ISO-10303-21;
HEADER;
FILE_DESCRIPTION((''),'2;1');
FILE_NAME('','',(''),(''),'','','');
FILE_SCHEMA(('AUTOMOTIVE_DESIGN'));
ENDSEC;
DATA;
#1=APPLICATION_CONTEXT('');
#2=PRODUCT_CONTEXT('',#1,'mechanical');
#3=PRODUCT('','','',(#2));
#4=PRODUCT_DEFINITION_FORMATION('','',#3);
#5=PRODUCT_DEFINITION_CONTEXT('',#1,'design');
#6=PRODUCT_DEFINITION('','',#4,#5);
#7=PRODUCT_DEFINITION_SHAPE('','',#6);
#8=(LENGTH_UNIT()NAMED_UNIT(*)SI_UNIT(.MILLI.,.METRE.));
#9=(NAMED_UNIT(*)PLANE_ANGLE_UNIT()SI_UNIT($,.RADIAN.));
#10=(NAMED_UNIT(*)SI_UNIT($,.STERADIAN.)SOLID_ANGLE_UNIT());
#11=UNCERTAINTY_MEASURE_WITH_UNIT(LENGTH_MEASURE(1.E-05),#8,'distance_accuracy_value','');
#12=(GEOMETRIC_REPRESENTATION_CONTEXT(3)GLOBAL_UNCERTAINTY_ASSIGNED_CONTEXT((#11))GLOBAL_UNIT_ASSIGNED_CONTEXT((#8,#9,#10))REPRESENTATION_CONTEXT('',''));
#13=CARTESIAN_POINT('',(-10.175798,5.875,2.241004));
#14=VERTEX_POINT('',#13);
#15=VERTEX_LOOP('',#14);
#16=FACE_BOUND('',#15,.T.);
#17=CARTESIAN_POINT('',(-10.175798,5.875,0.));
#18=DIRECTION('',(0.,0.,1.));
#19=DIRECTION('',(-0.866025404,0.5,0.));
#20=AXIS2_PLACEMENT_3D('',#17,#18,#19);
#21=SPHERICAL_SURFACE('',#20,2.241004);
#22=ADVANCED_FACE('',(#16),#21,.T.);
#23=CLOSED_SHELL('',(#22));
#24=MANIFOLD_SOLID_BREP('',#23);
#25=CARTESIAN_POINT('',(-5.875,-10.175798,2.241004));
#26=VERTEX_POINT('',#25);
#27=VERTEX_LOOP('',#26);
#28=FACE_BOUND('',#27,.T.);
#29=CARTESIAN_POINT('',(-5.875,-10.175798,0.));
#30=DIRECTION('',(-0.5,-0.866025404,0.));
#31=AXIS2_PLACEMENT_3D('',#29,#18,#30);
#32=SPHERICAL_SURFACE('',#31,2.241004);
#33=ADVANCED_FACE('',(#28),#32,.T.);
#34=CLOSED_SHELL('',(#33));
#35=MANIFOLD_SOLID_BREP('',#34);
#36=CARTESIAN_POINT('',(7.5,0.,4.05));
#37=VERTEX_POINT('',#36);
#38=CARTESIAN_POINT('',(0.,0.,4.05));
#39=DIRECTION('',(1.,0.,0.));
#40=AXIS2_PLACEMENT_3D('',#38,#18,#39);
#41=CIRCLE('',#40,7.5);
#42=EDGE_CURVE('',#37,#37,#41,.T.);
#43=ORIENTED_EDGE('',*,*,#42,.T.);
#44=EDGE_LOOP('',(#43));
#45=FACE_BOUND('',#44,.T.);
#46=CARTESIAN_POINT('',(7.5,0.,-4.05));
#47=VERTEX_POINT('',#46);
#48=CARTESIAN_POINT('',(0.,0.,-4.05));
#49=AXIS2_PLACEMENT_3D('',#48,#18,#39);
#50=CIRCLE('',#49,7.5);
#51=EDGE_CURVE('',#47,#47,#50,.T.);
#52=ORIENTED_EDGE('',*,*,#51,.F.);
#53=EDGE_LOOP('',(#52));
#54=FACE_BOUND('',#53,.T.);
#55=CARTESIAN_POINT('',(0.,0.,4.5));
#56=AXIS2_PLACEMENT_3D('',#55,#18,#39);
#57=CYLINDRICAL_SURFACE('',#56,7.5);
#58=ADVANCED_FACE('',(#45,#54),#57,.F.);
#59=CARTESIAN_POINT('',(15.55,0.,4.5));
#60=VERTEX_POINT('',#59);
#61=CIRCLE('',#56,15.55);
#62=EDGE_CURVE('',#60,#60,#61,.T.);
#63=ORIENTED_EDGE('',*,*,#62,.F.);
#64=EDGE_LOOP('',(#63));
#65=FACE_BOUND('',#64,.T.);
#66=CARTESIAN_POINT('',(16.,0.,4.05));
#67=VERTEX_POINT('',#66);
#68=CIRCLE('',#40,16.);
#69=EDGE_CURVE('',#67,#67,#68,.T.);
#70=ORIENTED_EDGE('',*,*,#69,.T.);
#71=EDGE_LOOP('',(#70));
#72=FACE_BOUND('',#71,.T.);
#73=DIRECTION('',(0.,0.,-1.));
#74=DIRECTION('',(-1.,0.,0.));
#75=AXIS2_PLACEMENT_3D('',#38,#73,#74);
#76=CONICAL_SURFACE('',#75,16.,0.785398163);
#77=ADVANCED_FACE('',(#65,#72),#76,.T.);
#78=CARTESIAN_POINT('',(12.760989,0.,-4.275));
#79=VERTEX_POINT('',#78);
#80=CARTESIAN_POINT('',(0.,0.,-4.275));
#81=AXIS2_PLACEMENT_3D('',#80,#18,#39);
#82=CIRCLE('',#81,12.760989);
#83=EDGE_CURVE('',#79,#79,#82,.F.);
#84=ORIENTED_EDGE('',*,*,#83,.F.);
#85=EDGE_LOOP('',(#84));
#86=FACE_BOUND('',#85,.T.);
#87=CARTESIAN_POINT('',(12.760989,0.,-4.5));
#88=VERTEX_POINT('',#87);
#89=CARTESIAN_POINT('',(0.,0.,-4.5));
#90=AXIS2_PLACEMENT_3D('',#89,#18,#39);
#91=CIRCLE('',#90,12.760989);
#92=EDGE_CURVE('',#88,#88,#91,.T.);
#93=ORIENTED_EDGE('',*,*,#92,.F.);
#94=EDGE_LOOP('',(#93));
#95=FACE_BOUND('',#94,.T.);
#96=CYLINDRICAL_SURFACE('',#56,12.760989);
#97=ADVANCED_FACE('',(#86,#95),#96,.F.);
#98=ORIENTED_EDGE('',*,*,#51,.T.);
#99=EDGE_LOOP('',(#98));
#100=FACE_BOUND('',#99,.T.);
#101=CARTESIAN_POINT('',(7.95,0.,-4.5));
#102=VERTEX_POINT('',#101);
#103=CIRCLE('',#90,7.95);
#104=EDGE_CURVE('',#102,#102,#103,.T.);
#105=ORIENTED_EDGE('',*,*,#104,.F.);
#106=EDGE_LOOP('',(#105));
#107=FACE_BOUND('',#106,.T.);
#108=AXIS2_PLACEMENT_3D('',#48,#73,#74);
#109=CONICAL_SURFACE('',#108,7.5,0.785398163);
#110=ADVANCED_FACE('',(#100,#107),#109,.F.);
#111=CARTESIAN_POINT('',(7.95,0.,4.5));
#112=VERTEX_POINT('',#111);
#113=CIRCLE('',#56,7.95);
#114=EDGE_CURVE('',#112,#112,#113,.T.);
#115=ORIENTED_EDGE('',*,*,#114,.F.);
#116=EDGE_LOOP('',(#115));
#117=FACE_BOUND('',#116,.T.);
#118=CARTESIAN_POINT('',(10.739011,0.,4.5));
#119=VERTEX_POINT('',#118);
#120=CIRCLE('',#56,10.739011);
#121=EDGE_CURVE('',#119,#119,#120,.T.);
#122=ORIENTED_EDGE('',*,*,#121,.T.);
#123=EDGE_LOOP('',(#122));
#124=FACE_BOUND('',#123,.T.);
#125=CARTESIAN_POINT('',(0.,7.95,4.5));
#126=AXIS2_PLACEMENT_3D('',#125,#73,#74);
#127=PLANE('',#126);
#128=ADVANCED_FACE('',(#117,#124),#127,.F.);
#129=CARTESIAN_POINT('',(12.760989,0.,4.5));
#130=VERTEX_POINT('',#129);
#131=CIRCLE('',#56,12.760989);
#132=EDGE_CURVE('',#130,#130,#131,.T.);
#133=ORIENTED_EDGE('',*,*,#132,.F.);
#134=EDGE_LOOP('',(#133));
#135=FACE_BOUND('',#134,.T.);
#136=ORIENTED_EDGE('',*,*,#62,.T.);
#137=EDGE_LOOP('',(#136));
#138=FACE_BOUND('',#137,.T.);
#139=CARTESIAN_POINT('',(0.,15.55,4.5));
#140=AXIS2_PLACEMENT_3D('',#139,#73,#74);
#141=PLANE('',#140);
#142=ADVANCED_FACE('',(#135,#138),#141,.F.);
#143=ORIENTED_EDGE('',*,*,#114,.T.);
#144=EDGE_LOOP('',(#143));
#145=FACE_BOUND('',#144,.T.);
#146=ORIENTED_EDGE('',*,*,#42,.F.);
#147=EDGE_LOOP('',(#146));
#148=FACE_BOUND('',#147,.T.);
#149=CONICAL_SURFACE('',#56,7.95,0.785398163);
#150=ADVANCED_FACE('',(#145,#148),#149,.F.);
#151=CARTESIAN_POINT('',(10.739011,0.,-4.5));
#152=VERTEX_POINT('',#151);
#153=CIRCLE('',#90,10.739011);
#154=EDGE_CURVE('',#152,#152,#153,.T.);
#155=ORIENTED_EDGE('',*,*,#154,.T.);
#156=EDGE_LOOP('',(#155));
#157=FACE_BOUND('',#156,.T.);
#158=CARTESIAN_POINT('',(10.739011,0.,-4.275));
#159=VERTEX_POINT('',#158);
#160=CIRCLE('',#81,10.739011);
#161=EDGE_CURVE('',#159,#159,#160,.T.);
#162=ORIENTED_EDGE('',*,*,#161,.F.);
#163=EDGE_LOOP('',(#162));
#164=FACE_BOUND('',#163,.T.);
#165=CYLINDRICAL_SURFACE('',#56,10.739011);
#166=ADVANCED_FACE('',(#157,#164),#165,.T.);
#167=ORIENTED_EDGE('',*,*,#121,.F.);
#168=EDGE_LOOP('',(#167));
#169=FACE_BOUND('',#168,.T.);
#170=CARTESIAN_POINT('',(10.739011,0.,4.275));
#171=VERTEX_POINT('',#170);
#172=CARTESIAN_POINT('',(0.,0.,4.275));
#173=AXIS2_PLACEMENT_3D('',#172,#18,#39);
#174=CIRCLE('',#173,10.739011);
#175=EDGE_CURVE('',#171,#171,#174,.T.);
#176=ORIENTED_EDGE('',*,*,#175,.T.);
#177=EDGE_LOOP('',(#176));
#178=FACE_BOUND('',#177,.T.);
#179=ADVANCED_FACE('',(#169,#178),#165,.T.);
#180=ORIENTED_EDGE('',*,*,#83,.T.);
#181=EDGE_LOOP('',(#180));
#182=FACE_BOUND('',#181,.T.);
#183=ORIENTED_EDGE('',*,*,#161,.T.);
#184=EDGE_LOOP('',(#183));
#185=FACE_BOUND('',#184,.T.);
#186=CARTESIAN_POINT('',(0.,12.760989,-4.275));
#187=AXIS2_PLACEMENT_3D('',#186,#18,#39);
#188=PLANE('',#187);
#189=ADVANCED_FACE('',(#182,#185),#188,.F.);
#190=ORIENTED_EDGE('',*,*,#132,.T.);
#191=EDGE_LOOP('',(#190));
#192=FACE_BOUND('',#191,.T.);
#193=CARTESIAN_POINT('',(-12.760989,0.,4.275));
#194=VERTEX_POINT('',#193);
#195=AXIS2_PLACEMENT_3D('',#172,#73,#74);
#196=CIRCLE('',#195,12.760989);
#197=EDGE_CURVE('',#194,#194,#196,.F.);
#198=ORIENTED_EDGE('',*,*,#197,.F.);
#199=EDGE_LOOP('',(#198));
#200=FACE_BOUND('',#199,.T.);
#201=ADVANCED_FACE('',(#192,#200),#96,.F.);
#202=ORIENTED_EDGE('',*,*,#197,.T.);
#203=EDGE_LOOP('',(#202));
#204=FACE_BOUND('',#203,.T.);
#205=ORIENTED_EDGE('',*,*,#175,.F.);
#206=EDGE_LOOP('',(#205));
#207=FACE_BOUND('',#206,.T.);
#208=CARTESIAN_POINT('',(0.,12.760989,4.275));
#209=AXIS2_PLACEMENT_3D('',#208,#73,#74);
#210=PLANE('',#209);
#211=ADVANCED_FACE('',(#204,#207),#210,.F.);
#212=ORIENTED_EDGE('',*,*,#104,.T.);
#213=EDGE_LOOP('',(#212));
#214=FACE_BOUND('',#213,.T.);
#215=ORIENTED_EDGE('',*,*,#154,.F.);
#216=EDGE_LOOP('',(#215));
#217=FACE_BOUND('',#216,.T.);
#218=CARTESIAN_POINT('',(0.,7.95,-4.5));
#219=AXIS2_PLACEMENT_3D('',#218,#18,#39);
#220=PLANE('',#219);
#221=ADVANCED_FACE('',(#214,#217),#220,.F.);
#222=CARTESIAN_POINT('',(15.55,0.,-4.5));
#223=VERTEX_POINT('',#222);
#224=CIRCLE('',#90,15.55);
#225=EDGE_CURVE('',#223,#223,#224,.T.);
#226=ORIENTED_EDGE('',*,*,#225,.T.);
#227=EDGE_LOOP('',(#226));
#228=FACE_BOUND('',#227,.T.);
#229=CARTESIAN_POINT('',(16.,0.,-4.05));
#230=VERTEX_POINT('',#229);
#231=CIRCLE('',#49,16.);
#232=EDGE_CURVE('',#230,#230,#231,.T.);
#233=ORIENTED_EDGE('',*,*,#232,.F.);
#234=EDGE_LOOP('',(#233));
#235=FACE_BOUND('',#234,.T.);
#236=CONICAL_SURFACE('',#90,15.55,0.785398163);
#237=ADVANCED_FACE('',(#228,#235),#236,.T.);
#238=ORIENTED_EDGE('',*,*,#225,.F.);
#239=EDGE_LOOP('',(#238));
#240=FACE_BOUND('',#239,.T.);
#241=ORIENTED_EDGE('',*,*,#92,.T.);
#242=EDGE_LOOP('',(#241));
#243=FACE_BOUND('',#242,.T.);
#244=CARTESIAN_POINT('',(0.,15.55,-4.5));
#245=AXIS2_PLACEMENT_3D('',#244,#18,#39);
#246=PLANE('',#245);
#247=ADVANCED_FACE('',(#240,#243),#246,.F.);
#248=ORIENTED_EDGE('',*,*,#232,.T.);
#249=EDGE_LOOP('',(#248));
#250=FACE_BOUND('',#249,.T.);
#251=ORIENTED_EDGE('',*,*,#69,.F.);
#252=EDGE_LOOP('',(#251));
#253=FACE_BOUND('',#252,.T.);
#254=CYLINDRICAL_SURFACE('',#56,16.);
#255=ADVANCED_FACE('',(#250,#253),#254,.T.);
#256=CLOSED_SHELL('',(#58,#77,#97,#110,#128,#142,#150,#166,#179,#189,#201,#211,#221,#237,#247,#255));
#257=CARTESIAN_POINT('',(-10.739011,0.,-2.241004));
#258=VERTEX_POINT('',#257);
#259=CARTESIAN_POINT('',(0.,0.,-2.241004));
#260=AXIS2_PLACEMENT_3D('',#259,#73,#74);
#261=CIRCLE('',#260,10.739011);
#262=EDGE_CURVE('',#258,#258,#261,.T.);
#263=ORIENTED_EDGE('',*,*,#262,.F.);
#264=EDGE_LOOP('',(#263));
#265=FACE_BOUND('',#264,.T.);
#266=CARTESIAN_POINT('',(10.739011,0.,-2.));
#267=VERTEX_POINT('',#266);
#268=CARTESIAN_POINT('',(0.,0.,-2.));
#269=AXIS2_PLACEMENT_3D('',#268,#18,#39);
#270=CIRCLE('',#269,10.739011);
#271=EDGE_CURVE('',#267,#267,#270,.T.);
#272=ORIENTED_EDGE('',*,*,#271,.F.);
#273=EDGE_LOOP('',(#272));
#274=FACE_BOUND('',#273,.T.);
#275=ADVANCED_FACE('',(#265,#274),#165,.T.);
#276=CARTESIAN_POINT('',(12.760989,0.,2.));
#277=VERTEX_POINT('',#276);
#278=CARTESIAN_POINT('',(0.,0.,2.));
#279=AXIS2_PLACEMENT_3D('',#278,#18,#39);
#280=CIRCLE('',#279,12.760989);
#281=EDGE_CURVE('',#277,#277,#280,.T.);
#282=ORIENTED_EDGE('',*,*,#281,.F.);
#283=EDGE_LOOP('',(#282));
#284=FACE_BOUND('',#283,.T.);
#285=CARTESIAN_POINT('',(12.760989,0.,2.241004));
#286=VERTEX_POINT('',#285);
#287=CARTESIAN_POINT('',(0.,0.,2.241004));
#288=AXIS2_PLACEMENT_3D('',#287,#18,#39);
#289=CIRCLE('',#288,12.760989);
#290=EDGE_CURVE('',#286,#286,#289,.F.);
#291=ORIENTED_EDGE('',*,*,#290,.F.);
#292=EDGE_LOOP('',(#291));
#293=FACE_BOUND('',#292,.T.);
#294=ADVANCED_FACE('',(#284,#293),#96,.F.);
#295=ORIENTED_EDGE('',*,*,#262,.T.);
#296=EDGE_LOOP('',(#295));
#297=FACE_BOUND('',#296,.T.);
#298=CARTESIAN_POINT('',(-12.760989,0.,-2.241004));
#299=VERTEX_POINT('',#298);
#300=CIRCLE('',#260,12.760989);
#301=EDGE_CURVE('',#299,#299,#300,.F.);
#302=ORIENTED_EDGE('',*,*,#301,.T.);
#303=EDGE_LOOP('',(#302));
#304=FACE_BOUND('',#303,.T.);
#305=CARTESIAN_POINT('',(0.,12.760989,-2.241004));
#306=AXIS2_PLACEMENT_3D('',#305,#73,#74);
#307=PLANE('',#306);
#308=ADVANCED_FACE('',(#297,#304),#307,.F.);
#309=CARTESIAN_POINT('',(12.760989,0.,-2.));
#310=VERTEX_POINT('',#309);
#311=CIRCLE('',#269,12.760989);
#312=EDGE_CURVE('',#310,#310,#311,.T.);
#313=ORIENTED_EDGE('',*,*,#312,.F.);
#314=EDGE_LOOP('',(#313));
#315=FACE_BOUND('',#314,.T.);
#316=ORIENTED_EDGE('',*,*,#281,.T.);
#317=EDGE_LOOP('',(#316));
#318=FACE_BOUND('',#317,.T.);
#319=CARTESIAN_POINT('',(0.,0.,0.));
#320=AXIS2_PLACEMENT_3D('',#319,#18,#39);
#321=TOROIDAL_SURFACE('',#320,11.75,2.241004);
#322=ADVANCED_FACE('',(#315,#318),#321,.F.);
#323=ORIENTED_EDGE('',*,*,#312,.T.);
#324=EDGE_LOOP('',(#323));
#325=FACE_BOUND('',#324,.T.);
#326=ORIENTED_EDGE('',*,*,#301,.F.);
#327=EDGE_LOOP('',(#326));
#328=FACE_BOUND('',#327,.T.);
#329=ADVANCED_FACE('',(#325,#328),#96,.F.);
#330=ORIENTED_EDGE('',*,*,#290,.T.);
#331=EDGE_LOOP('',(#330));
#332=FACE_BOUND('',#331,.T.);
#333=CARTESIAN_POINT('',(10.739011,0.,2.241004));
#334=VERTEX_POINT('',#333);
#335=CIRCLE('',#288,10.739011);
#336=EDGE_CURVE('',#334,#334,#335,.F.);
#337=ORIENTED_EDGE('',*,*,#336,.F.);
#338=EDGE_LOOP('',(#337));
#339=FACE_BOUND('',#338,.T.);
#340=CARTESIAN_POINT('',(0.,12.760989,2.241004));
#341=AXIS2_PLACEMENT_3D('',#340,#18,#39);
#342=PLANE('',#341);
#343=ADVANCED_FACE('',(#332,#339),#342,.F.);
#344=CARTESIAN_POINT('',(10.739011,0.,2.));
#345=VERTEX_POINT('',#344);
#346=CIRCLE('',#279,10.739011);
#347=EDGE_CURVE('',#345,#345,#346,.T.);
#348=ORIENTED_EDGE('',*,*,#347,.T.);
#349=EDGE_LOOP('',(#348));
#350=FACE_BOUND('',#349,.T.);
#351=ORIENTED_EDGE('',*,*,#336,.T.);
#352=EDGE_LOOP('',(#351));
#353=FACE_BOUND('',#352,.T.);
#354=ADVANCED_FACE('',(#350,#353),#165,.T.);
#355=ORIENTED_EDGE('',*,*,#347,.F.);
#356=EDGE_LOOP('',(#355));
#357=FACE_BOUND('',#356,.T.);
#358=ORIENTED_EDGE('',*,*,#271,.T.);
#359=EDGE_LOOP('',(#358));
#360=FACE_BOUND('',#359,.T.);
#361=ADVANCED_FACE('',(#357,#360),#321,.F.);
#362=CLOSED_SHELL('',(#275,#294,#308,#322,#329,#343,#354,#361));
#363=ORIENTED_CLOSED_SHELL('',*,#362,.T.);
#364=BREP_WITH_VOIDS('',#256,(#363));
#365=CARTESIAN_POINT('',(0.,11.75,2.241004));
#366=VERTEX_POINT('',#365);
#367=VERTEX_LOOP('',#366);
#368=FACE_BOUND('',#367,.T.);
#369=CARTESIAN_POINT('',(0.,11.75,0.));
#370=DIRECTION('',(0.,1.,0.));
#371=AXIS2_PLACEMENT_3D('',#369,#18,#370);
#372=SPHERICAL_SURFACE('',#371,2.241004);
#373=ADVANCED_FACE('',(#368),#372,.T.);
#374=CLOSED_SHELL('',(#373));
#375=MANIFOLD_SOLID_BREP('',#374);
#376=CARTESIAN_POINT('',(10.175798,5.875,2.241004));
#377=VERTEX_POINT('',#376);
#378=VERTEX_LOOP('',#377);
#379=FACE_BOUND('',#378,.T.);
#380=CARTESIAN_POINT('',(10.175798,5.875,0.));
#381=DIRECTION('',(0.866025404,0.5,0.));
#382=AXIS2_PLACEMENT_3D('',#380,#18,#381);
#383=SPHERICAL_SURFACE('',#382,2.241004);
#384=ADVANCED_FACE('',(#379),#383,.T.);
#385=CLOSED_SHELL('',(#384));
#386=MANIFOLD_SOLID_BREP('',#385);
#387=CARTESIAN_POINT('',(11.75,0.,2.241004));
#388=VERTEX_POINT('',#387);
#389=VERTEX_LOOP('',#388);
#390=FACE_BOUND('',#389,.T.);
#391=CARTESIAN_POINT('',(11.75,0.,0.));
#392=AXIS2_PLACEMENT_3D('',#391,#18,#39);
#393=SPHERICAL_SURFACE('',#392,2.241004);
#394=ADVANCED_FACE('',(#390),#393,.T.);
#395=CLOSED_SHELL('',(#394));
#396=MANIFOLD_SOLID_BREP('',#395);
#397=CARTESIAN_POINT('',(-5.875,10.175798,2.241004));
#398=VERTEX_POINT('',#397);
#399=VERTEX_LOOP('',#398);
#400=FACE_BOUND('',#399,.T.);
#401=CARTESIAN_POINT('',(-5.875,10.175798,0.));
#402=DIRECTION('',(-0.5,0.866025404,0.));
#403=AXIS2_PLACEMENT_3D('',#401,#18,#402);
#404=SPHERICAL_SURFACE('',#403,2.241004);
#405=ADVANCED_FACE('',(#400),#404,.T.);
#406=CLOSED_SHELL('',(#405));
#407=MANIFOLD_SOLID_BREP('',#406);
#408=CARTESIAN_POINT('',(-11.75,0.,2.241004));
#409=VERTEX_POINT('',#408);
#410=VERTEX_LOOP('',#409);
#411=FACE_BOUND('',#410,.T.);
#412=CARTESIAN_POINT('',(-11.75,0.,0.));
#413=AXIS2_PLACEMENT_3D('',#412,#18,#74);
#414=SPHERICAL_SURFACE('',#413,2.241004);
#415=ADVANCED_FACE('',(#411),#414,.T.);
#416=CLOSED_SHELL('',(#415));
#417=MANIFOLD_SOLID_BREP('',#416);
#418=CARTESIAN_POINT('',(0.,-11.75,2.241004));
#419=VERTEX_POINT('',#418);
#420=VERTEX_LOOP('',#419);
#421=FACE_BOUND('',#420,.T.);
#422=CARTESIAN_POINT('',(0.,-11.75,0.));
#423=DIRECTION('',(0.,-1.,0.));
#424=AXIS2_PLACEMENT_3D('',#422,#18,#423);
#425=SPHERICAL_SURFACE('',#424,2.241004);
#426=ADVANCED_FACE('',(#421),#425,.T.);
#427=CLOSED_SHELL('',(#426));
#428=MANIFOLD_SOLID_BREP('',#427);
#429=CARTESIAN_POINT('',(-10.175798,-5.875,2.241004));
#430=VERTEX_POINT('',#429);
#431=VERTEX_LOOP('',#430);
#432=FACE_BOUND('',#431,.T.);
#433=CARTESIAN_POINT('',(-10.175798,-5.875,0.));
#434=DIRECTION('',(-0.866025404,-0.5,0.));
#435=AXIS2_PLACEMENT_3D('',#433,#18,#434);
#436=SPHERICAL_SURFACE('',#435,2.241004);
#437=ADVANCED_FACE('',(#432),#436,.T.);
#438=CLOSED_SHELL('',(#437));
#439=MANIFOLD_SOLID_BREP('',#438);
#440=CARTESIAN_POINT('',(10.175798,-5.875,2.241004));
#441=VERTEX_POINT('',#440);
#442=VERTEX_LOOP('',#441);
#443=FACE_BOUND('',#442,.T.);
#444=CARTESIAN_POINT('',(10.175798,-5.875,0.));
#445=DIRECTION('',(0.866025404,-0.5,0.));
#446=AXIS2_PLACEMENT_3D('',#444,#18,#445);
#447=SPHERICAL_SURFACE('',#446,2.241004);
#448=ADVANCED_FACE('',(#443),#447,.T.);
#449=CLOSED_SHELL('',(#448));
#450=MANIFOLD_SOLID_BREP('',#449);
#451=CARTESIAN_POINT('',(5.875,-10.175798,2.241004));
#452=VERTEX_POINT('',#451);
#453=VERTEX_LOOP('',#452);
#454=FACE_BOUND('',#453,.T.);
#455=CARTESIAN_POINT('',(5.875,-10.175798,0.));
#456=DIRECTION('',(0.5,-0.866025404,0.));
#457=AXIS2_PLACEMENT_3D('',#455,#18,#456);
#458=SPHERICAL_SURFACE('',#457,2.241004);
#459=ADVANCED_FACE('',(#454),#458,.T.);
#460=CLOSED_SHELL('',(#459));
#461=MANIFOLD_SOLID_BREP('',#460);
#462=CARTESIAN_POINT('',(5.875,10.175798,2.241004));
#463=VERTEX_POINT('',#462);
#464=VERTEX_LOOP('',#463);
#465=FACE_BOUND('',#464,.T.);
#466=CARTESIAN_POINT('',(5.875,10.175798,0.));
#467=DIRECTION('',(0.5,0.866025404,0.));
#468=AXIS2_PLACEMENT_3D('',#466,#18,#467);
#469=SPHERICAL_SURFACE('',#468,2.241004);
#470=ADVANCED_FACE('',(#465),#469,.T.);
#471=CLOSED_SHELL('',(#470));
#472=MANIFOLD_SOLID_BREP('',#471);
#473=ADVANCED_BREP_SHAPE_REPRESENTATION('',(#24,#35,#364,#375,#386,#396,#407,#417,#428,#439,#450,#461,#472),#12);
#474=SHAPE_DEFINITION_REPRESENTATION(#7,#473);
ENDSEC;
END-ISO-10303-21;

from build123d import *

# Parameters (mm, degrees)
CIRPATTERN1_COUNT = 12


with BuildPart() as part:
    # Sketch6 → Revolve1 (revolve)
    with BuildSketch(Plane(origin=(0, 0, 0), x_dir=(0, 0, -1), z_dir=(1, 0, 0))):
        with BuildLine():
            Line((-4.5, 15.55), (-4.499999999999999, 12.760989010989016))
            Line((-4.499999999999999, 12.760989010989016), (-2, 12.760989010989016))
            ThreePointArc((-2, 12.760989010989016), (1.4e-16, 13.9910039670515), (2, 12.760989010989016))
            Line((2, 12.760989010989016), (4.499999999999999, 12.760989010989016))
            Line((4.499999999999999, 12.760989010989016), (4.5, 15.549999999999994))
            Line((4.5, 15.549999999999994), (4.049999999999996, 16))
            Line((4.049999999999996, 16), (-4.049999999999996, 16.000000000000007))
            Line((-4.049999999999996, 16.000000000000007), (-4.5, 15.55))
        make_face()
        with BuildLine():
            Line((-4.499999999999999, 7.950000000000013), (-4.499999999999999, 10.73901098901099))
            Line((-4.499999999999999, 10.73901098901099), (-2.0000000000000004, 10.73901098901099))
            ThreePointArc((-2.0000000000000004, 10.73901098901099), (-3.6e-16, 9.508996032948508), (2, 10.73901098901099))
            Line((2, 10.73901098901099), (4.499999999999999, 10.73901098901099))
            Line((4.499999999999999, 10.73901098901099), (4.499999999999999, 7.950000000000013))
            Line((4.499999999999999, 7.950000000000013), (4.049999999999999, 7.500000000000007))
            Line((4.049999999999999, 7.500000000000007), (-4.049999999999999, 7.500000000000007))
            Line((-4.049999999999999, 7.500000000000007), (-4.499999999999999, 7.950000000000013))
        make_face()
    revolve(axis=Axis((0, 0, 4.499999999999999), (0, 0, -1)))



with BuildPart() as body_2:
    # Sketch4 → Revolve2 (revolve)
    with BuildSketch(Plane(origin=(0, 0, 0), x_dir=(0, 0, -1), z_dir=(1, 0, 0))):
        with BuildLine():
            Line((-2.2410039670514963, 11.750000000000004), (2.2410039670514963, 11.750000000000004))
            ThreePointArc((2.2410039670514963, 11.750000000000004), (1.4e-16, 13.9910039670515), (-2.2410039670514963, 11.750000000000004))
        make_face()
    revolve(axis=Axis((0, 11.750000000000004, 2.2410039670514963), (0, 0, -1)))


with BuildPart() as cirpattern1_1:
    # CirPattern1: pattern copy
    add(body_2.part.rotate(Axis((0, 0, -4.499999999999999), (0, 0, 1)), 1 * 360 / CIRPATTERN1_COUNT))


with BuildPart() as cirpattern1_2:
    # CirPattern1: pattern copy
    add(body_2.part.rotate(Axis((0, 0, -4.499999999999999), (0, 0, 1)), 2 * 360 / CIRPATTERN1_COUNT))


with BuildPart() as cirpattern1_3:
    # CirPattern1: pattern copy
    add(body_2.part.rotate(Axis((0, 0, -4.499999999999999), (0, 0, 1)), 3 * 360 / CIRPATTERN1_COUNT))


with BuildPart() as cirpattern1_4:
    # CirPattern1: pattern copy
    add(body_2.part.rotate(Axis((0, 0, -4.499999999999999), (0, 0, 1)), 4 * 360 / CIRPATTERN1_COUNT))


with BuildPart() as cirpattern1_5:
    # CirPattern1: pattern copy
    add(body_2.part.rotate(Axis((0, 0, -4.499999999999999), (0, 0, 1)), 5 * 360 / CIRPATTERN1_COUNT))


with BuildPart() as cirpattern1_6:
    # CirPattern1: pattern copy
    add(body_2.part.rotate(Axis((0, 0, -4.499999999999999), (0, 0, 1)), 6 * 360 / CIRPATTERN1_COUNT))


with BuildPart() as cirpattern1_7:
    # CirPattern1: pattern copy
    add(body_2.part.rotate(Axis((0, 0, -4.499999999999999), (0, 0, 1)), 7 * 360 / CIRPATTERN1_COUNT))


with BuildPart() as cirpattern1_8:
    # CirPattern1: pattern copy
    add(body_2.part.rotate(Axis((0, 0, -4.499999999999999), (0, 0, 1)), 8 * 360 / CIRPATTERN1_COUNT))


with BuildPart() as cirpattern1_9:
    # CirPattern1: pattern copy
    add(body_2.part.rotate(Axis((0, 0, -4.499999999999999), (0, 0, 1)), 9 * 360 / CIRPATTERN1_COUNT))


with BuildPart() as cirpattern1_10:
    # CirPattern1: pattern copy
    add(body_2.part.rotate(Axis((0, 0, -4.499999999999999), (0, 0, 1)), 10 * 360 / CIRPATTERN1_COUNT))


with BuildPart() as cirpattern1_11:
    # CirPattern1: pattern copy
    add(body_2.part.rotate(Axis((0, 0, -4.499999999999999), (0, 0, 1)), 11 * 360 / CIRPATTERN1_COUNT))


with BuildPart() as part_1:
    add(part.part)

    add(body_2.part)  # Revolve3 merges body 2

    add(cirpattern1_1.part)  # Revolve3 merges CirPattern1_1

    add(cirpattern1_2.part)  # Revolve3 merges CirPattern1_2

    add(cirpattern1_3.part)  # Revolve3 merges CirPattern1_3

    add(cirpattern1_4.part)  # Revolve3 merges CirPattern1_4

    add(cirpattern1_5.part)  # Revolve3 merges CirPattern1_5

    add(cirpattern1_6.part)  # Revolve3 merges CirPattern1_6

    add(cirpattern1_7.part)  # Revolve3 merges CirPattern1_7

    add(cirpattern1_8.part)  # Revolve3 merges CirPattern1_8

    add(cirpattern1_9.part)  # Revolve3 merges CirPattern1_9

    add(cirpattern1_10.part)  # Revolve3 merges CirPattern1_10

    add(cirpattern1_11.part)  # Revolve3 merges CirPattern1_11
    # Sketch5 → Revolve3 (revolve)
    with BuildSketch(Plane(origin=(0, 0, 0), x_dir=(0, 0, -1), z_dir=(1, 0, 0))):
        Polygon((-4.275000000000004, 12.760989010989016), (-2.2410039670514963, 12.760989010989016), (-2.2410039670514954, 10.73901098901099), (-4.275000000000004, 10.73901098901099), align=None)
        Polygon((4.275000000000004, 12.760989010989016), (2.2410039670514963, 12.760989010989016), (2.241003967051497, 10.73901098901099), (4.275000000000004, 10.73901098901099), align=None)
    revolve(axis=Axis((0, 0, 4.499999999999999), (0, 0, -1)))


solid = part_1.part
